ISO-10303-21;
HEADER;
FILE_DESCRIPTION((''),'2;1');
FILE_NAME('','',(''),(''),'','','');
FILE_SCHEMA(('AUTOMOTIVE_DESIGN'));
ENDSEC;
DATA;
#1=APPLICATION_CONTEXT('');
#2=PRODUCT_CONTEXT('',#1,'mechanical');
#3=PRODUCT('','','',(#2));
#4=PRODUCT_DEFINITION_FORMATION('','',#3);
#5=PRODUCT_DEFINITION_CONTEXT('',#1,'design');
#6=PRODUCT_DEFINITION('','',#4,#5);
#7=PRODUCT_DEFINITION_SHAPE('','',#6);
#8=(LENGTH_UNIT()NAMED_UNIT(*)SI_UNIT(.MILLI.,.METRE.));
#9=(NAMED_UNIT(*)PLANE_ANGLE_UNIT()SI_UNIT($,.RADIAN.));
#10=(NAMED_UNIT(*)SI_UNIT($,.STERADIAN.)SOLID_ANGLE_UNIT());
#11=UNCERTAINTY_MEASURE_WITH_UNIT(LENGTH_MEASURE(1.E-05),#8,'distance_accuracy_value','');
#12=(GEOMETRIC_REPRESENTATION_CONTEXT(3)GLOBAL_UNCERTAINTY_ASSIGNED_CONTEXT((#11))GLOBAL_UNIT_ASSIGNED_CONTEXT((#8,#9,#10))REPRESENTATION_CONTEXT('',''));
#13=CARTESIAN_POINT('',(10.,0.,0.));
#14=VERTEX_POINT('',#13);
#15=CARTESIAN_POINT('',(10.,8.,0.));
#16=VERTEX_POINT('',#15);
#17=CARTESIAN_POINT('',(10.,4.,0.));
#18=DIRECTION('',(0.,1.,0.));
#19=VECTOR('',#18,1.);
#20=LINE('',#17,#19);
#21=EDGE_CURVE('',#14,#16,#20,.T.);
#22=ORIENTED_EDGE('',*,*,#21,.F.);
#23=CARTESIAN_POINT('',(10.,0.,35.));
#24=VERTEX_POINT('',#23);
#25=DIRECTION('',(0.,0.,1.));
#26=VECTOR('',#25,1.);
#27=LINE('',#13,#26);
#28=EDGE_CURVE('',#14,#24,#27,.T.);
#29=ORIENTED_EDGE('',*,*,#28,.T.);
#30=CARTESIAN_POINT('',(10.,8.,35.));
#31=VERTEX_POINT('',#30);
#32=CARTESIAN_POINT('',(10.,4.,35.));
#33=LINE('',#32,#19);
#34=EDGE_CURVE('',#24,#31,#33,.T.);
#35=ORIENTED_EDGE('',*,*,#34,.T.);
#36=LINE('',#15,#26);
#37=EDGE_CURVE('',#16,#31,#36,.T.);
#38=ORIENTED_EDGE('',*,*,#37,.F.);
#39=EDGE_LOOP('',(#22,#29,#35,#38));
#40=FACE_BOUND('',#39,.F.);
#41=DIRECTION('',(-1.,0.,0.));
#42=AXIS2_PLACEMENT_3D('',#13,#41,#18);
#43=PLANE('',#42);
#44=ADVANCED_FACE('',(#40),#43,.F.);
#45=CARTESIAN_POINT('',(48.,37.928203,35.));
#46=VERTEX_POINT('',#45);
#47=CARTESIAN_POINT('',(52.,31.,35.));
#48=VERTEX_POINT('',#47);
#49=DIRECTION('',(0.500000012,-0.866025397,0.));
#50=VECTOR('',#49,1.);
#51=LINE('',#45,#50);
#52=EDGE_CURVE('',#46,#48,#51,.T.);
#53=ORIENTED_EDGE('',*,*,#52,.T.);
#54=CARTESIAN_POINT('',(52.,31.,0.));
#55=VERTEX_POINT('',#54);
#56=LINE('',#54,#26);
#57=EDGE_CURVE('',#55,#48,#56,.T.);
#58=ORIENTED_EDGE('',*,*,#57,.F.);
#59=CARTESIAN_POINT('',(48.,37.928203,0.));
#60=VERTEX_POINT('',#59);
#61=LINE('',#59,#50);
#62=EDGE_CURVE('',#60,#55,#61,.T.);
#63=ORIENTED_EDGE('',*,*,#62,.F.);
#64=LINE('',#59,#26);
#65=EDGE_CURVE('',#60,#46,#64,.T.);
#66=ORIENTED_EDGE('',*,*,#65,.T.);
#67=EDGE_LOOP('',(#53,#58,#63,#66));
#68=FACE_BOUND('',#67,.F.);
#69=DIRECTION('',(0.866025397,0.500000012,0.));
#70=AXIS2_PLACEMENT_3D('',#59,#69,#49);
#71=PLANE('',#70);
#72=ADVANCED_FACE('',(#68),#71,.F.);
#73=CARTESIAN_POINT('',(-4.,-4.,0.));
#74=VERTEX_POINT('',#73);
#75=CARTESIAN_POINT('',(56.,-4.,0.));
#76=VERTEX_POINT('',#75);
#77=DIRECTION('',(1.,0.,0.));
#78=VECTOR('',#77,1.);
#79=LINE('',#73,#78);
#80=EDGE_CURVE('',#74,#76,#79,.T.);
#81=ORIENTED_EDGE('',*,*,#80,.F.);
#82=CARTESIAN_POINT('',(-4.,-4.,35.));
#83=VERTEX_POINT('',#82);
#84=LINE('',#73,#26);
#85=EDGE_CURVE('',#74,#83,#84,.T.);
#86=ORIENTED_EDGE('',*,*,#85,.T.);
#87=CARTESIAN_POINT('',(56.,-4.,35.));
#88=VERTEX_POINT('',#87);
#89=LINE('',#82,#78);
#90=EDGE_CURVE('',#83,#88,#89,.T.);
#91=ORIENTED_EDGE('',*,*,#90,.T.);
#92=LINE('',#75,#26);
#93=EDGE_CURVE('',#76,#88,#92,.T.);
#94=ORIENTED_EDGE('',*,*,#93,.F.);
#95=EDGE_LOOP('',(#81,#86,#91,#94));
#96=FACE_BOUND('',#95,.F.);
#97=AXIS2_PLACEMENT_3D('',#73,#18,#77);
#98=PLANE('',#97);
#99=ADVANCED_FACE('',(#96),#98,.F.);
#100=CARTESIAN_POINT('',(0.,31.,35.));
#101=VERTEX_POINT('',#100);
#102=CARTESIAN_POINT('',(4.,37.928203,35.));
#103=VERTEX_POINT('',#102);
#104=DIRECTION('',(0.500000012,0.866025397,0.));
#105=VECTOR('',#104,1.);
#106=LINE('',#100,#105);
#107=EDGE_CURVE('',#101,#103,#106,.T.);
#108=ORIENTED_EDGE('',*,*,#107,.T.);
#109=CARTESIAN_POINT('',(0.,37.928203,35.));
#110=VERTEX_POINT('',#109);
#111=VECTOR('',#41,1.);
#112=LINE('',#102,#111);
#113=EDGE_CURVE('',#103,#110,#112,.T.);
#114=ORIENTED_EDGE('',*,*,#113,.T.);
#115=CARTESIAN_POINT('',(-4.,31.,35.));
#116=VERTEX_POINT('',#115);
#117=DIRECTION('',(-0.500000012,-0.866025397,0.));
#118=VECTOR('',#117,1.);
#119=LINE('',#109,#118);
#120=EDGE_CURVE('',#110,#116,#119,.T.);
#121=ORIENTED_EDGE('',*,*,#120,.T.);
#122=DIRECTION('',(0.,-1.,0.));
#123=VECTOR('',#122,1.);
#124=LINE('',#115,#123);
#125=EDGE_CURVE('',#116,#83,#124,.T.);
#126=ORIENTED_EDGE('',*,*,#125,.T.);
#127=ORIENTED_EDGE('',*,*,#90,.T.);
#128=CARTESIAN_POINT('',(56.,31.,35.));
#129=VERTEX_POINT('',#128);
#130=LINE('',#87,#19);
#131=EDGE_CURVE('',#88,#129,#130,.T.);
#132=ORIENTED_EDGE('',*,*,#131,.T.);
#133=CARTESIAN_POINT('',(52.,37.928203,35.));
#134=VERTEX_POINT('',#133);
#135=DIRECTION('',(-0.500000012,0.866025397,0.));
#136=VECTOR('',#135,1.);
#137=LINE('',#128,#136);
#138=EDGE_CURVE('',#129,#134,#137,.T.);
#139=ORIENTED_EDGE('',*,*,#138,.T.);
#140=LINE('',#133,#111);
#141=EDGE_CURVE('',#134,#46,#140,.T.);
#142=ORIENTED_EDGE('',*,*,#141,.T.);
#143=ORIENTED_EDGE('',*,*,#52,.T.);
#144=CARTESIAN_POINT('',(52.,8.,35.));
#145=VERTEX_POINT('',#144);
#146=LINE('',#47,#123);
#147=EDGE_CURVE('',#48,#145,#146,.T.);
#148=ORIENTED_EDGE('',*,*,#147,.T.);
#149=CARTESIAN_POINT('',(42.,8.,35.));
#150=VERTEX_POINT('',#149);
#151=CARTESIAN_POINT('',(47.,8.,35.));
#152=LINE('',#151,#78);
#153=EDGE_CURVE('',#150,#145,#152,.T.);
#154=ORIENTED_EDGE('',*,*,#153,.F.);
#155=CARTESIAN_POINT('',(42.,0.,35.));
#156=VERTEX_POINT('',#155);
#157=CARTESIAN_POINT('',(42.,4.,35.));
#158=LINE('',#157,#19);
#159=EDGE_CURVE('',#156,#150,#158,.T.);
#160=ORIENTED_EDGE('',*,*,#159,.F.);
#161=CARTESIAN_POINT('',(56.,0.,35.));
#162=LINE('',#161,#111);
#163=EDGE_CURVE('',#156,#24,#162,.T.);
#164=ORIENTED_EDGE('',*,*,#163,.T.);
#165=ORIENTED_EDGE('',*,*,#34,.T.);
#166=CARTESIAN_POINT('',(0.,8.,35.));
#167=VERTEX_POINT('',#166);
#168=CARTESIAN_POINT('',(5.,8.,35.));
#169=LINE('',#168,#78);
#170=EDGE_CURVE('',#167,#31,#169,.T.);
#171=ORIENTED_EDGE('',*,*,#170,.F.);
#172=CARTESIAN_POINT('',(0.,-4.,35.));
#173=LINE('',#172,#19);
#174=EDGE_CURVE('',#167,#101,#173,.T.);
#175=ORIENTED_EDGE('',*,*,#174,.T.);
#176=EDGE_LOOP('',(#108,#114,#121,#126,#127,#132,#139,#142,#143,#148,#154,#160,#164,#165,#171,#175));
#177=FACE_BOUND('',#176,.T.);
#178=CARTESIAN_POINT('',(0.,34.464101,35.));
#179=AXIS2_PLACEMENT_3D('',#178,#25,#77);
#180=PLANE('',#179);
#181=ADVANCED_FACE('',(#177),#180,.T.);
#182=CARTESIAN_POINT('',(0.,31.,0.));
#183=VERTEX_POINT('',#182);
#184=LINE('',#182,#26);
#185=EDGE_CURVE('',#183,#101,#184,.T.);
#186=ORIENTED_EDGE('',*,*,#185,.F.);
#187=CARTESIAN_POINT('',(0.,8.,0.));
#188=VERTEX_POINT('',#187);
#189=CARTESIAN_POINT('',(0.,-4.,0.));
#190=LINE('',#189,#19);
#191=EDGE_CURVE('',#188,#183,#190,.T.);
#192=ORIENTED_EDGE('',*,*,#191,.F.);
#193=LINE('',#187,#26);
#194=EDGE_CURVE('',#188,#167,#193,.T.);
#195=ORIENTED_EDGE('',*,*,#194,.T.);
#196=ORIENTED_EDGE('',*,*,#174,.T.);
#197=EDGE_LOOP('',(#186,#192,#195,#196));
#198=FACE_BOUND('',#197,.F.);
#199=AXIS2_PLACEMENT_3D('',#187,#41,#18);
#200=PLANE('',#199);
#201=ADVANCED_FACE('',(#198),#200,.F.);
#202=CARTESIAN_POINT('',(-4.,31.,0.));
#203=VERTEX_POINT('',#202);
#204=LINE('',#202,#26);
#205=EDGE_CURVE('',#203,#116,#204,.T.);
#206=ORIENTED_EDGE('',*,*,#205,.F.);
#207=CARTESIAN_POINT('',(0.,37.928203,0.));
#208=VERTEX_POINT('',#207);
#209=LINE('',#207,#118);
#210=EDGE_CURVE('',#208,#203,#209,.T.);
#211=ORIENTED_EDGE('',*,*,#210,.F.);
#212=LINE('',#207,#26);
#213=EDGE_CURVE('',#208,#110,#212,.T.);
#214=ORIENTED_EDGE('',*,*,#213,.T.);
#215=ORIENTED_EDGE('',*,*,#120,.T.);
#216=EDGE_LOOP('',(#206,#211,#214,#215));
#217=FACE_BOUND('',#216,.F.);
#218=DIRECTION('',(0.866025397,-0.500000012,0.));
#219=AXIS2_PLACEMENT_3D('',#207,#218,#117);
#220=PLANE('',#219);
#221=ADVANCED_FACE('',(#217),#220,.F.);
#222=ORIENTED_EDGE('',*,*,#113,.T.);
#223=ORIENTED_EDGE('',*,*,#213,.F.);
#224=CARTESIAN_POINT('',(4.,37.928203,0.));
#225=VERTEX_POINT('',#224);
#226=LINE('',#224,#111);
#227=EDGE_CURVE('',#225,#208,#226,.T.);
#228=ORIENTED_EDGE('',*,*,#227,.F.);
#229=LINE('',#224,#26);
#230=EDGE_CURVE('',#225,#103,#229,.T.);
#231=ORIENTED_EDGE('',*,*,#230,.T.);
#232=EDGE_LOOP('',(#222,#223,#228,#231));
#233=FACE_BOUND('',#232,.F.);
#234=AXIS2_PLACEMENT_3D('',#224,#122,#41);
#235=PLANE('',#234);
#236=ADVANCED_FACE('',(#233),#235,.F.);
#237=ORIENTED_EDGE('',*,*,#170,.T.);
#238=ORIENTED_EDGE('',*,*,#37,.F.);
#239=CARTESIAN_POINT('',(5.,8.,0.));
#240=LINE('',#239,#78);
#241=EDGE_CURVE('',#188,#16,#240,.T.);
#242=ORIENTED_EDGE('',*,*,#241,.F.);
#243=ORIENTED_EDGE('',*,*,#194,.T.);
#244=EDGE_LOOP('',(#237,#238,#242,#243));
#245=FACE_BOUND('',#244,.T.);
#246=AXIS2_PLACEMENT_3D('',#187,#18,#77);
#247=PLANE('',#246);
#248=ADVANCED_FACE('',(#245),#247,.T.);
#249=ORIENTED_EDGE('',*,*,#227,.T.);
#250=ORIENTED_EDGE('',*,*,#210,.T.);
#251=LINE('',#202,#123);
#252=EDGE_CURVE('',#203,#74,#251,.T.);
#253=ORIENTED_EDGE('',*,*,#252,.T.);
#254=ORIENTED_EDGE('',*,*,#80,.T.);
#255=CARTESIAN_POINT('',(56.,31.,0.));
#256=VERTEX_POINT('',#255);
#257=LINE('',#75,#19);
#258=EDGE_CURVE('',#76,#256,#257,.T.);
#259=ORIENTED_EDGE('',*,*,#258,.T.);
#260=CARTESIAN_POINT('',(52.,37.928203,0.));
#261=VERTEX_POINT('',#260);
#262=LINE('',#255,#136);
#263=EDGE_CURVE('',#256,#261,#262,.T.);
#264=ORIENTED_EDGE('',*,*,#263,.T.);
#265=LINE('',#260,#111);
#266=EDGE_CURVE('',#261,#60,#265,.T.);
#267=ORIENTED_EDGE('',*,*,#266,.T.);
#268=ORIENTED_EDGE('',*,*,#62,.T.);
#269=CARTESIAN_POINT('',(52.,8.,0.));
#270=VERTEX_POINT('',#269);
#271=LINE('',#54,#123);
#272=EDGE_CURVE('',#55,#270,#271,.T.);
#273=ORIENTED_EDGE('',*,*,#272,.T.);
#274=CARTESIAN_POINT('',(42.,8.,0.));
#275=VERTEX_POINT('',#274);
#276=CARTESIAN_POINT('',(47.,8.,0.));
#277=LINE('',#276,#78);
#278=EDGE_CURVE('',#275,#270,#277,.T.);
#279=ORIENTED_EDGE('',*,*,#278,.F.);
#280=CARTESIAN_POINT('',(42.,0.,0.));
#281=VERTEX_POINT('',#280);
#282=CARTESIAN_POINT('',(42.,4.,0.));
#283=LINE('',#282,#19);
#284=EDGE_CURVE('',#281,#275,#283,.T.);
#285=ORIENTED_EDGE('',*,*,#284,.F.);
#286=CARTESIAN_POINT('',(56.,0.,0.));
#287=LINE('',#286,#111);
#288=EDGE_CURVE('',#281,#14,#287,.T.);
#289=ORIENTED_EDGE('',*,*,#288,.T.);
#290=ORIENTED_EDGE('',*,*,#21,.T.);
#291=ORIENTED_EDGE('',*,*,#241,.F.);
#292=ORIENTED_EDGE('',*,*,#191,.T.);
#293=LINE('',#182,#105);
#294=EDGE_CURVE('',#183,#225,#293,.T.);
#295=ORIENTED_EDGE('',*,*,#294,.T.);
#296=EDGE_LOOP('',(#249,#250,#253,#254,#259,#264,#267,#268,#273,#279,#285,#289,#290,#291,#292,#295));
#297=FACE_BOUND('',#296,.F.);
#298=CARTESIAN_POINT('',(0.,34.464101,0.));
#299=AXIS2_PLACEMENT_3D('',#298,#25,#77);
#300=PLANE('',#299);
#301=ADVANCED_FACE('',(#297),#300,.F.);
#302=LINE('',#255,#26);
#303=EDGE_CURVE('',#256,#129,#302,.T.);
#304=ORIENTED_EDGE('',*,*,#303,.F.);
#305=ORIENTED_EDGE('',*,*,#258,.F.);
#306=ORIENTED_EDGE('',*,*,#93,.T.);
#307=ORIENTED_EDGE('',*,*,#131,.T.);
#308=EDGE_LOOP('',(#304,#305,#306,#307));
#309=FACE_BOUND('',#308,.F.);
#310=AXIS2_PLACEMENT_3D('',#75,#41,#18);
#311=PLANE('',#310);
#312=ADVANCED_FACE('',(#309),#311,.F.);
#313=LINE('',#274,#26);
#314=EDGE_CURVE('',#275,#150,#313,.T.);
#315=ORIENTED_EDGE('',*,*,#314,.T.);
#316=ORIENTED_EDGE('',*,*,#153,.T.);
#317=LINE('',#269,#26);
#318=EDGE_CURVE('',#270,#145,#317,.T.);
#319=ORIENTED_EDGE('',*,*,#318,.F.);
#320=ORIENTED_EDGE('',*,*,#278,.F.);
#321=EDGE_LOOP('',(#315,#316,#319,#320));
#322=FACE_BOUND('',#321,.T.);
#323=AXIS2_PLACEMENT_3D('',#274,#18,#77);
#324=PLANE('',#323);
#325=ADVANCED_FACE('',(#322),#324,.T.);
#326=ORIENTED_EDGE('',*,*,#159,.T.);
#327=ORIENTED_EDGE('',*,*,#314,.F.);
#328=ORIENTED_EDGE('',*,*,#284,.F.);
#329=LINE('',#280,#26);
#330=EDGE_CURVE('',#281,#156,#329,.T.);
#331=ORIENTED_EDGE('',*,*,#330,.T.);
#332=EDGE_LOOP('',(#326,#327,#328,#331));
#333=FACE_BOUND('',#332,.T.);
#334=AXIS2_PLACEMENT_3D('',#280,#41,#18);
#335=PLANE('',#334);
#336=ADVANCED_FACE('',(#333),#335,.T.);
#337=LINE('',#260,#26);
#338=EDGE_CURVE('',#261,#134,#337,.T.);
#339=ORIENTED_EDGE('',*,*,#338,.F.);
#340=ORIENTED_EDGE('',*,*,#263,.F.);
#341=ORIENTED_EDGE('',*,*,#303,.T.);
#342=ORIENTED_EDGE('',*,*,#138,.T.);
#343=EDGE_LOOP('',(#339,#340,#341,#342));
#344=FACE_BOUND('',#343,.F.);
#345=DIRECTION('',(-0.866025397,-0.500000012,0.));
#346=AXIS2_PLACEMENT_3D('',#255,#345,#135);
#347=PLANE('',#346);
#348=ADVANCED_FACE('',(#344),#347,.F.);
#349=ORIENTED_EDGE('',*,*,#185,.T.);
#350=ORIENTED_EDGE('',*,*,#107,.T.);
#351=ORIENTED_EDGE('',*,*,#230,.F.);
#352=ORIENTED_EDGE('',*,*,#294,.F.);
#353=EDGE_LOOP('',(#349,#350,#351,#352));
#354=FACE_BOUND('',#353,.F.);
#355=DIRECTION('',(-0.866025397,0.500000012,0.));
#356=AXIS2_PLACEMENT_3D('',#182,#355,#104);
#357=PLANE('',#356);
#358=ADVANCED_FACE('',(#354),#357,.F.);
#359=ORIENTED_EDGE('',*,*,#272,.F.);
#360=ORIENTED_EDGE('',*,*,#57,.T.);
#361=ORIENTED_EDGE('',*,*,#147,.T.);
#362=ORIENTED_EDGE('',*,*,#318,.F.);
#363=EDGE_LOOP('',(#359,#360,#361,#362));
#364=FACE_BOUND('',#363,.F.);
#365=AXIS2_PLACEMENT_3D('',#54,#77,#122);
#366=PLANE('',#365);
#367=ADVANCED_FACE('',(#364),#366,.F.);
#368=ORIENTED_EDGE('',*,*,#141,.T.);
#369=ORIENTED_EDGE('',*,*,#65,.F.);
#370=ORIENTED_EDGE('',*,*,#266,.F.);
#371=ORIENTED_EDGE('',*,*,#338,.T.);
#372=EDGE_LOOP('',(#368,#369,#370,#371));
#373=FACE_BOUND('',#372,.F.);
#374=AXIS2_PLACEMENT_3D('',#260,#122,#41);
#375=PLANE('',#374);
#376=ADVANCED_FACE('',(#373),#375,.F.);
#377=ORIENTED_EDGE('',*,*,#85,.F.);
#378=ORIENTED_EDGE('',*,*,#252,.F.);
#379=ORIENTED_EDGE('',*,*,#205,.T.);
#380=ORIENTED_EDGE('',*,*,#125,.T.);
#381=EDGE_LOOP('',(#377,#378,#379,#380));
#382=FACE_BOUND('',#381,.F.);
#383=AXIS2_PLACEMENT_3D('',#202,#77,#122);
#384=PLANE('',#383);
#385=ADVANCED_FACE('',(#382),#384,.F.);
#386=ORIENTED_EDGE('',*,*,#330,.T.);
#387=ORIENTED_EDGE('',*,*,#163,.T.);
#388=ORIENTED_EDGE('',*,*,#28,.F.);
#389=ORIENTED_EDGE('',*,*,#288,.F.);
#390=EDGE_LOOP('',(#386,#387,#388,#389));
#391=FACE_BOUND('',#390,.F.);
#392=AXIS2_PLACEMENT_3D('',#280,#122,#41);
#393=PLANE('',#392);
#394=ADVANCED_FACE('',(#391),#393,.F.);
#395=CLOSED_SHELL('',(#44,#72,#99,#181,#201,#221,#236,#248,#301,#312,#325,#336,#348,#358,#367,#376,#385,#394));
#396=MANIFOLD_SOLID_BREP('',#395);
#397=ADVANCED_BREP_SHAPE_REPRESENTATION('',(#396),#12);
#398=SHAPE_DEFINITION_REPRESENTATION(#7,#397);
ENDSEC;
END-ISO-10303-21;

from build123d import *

# Parameters (mm, degrees)
F0_W     = 4
F0_H     = 4
F0_W_2   = 10
F0_H_2   = 8
F1_DEPTH = 35


with BuildPart() as f1:
    # F0 (on Top) → F1 (new body)
    with BuildSketch(Plane.XY):
        Polygon((-4, 31), (0, 31), (4, 37.928203), (0, 37.928203), align=None)
        Polygon((-4, 0), (0, 0), (0, 8), (0, 31), (-4, 31), align=None)
        with Locations((-2, -2)):
            Rectangle(F0_W, F0_H)
        Polygon((10, 0), (0, 0), (0, -4), (52, -4), (52, 0), (42, 0), align=None)
        with Locations((54, -2)):
            Rectangle(F0_W, F0_H)
        Polygon((52, 8), (52, 0), (56, 0), (56, 31), (52, 31), align=None)
        Polygon((48, 37.928203), (52, 31), (56, 31), (52, 37.928203), align=None)
        with Locations((5, 4)):
            Rectangle(F0_W_2, F0_H_2)
        with Locations((47, 4)):
            Rectangle(F0_W_2, F0_H_2)
    extrude(amount=F1_DEPTH)


solid = f1.part
